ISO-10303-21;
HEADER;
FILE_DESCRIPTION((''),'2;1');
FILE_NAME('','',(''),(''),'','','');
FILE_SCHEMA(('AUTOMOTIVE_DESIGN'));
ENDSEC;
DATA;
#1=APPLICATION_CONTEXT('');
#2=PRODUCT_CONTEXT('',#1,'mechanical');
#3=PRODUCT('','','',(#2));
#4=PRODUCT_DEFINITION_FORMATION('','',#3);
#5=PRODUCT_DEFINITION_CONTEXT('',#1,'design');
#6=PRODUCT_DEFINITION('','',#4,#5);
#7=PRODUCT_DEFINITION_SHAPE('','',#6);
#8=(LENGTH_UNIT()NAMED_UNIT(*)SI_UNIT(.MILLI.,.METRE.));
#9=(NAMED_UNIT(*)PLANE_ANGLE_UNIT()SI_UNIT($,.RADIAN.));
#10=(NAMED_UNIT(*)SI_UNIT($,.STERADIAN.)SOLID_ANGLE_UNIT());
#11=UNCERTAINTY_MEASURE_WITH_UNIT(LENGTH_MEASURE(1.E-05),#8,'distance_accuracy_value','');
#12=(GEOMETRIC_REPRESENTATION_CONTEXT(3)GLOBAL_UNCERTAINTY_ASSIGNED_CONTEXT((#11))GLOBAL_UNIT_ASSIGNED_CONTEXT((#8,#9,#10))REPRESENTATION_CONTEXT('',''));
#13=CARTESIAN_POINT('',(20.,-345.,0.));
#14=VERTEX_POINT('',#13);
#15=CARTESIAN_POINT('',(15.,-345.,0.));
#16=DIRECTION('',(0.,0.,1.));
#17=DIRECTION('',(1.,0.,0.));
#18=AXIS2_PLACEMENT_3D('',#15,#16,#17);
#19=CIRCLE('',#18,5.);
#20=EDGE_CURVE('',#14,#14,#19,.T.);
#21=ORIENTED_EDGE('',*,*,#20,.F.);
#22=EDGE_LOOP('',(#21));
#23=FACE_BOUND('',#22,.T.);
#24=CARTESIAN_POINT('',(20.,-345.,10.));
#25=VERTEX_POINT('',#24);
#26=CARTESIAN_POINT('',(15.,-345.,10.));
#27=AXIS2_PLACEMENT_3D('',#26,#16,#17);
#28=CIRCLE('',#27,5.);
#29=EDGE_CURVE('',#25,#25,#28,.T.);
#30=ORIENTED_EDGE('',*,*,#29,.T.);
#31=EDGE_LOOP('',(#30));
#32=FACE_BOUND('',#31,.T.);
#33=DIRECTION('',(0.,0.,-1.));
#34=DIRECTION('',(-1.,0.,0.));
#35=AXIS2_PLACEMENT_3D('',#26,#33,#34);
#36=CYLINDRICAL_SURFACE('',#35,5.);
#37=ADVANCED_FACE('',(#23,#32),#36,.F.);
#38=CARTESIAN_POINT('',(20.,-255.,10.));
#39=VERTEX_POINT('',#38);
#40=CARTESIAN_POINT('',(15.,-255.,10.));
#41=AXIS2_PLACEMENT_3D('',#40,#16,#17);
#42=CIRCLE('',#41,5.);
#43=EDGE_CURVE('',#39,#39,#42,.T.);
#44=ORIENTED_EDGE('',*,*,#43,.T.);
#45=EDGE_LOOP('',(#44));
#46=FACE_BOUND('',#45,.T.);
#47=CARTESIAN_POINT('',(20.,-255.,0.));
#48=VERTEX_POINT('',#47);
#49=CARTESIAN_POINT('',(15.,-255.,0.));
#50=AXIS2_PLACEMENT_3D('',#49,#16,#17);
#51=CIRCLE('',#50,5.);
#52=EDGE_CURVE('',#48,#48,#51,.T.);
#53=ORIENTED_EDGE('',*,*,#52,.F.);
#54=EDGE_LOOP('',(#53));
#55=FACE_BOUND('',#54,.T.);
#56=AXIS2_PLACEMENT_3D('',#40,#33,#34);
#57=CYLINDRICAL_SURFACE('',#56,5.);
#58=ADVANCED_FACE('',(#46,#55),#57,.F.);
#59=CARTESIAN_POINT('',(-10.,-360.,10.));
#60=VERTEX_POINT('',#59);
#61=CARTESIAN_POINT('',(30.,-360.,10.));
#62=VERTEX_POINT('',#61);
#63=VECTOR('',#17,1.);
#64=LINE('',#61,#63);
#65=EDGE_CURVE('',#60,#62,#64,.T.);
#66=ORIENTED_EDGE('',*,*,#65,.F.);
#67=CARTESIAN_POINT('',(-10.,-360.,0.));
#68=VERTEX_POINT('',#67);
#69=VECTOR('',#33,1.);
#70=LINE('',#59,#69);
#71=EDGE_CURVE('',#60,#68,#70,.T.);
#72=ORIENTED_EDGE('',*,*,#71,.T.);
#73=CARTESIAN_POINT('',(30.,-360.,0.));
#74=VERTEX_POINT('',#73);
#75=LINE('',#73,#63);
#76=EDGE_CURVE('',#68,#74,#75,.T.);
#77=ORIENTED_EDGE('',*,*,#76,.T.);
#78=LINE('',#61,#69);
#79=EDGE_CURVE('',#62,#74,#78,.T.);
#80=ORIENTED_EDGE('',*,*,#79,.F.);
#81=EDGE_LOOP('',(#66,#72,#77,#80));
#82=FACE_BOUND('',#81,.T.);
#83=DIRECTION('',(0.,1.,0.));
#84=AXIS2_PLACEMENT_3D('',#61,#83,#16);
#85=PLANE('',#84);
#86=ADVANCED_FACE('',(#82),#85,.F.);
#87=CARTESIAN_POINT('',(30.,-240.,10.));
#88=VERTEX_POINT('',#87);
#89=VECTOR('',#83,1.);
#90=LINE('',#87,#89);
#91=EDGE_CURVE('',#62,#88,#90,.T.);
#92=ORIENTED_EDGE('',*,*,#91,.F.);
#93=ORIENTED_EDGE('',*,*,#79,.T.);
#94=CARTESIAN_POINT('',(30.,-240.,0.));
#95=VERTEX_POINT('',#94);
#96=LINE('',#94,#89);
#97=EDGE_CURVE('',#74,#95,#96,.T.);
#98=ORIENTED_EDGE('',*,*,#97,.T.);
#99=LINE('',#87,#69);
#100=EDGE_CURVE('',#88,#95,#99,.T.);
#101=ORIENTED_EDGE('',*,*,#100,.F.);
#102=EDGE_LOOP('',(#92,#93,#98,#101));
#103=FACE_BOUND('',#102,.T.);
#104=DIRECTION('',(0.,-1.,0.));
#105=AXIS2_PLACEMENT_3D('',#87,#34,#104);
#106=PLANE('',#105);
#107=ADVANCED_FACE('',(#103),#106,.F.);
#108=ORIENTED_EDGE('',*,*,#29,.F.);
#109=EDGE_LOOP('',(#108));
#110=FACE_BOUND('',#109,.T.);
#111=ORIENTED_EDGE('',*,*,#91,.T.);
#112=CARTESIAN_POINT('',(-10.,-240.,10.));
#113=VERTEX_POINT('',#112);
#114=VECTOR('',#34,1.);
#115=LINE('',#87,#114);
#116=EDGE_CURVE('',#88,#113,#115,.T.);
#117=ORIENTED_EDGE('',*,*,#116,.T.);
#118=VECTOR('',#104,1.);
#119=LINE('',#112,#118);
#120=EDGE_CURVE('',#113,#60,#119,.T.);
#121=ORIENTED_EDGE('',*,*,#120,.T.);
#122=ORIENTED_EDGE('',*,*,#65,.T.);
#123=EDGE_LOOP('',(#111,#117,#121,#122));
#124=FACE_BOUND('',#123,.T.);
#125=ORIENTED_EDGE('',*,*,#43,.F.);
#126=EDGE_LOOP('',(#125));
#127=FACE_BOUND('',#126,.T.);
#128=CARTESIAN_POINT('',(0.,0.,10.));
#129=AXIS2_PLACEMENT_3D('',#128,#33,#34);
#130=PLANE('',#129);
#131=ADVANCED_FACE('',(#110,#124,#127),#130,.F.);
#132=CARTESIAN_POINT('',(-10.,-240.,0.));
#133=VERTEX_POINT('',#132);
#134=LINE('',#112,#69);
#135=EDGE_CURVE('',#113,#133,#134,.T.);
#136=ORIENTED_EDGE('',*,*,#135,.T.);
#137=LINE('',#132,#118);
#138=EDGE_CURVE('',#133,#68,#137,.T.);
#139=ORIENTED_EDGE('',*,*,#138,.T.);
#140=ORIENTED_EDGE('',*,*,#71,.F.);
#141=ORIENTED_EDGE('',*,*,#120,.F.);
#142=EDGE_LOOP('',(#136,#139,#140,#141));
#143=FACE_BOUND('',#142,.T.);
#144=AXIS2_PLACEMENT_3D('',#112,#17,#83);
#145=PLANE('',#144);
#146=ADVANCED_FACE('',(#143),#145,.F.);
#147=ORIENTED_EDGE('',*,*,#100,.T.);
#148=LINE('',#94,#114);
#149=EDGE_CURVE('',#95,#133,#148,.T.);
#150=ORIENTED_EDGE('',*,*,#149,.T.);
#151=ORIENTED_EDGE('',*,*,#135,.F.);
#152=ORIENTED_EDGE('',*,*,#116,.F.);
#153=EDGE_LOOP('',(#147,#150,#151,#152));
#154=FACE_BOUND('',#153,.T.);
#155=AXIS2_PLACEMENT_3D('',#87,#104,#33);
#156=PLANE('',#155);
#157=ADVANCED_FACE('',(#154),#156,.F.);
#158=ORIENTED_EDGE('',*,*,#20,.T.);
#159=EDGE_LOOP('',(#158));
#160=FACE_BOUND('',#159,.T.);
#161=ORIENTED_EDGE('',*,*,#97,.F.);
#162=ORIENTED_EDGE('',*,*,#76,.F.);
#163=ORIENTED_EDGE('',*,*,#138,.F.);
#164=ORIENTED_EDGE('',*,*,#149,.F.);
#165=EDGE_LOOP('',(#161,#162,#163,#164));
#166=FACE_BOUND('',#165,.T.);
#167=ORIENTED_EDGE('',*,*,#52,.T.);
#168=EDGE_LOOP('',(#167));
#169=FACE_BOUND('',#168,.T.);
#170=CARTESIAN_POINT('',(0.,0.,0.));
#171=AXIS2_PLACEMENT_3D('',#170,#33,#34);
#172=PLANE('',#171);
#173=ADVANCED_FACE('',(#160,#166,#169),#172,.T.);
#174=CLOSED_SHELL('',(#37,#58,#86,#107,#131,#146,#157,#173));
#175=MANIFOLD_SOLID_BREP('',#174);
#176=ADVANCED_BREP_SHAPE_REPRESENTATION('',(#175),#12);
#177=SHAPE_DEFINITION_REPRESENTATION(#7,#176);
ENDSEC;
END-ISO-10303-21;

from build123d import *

# Parameters (mm, degrees)
SKETCH1_W           = 40
SKETCH1_H           = 120
BOSS_EXTRUDE1_DEPTH = 10
SKETCH2_R           = 5
CUT_EXTRUDE2_DEPTH  = 362.386219992


with BuildPart() as part:
    # Sketch1 → Boss-Extrude1 (new body)
    with BuildSketch(Plane.XY):
        with Locations((10, -300)):
            Rectangle(SKETCH1_W, SKETCH1_H)
    extrude(amount=BOSS_EXTRUDE1_DEPTH)

    # Sketch2 → Cut-Extrude2 (cut, through all)
    with BuildSketch(Plane.XY):
        with Locations((15, -255)):
            Circle(SKETCH2_R)
        with Locations((15, -345)):
            Circle(SKETCH2_R)
    extrude(amount=CUT_EXTRUDE2_DEPTH, mode=Mode.SUBTRACT)


solid = part.part
